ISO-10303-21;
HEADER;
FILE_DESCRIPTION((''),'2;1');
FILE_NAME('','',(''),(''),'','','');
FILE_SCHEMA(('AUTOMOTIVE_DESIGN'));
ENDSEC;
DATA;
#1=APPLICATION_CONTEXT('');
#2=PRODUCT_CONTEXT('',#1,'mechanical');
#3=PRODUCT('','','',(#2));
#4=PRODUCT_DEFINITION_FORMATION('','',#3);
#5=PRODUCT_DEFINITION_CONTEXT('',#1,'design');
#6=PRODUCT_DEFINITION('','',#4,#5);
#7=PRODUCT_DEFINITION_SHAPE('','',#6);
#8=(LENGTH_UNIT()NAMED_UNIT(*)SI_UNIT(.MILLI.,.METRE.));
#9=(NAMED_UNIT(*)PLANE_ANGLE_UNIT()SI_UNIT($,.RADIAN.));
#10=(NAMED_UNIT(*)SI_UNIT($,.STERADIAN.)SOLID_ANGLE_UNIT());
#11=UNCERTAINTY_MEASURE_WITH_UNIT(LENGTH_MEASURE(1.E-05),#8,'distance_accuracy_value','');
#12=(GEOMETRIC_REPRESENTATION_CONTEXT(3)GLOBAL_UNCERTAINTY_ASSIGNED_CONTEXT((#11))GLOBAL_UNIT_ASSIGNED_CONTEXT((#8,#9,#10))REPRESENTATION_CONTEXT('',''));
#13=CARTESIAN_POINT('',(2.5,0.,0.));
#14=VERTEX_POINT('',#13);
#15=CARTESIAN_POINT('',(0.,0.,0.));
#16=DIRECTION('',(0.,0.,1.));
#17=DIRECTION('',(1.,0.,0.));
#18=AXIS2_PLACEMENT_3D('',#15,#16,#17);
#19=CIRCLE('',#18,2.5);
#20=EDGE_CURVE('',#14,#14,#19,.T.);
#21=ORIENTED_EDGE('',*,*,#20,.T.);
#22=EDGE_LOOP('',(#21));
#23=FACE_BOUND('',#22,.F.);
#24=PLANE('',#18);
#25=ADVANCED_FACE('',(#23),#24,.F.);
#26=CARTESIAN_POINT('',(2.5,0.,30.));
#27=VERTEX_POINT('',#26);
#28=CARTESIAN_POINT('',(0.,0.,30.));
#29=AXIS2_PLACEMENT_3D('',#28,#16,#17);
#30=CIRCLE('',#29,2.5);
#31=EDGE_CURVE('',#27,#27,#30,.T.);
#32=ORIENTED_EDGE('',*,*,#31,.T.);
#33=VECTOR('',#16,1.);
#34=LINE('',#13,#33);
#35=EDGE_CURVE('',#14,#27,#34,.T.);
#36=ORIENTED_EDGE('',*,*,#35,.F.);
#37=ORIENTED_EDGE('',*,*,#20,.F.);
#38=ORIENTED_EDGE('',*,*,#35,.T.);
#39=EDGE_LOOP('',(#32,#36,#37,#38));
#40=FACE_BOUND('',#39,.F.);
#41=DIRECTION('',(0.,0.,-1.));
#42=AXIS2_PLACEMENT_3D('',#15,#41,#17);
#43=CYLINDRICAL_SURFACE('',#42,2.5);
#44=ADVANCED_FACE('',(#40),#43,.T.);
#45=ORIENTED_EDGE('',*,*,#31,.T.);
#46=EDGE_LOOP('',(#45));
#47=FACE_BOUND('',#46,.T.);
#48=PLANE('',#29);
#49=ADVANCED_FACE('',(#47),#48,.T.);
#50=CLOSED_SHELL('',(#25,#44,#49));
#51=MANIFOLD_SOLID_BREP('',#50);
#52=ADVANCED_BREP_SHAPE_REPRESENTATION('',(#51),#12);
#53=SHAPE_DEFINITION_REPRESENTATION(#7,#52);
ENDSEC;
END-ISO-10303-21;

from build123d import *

# Parameters (mm, degrees)
ESQUISSE1_R        = 2.5
BOSS_EXTRU_1_DEPTH = 30


with BuildPart() as part:
    # Esquisse1 → Boss.-Extru.1 (new body)
    with BuildSketch(Plane.XY):
        Circle(ESQUISSE1_R)
    extrude(amount=BOSS_EXTRU_1_DEPTH)


solid = part.part
